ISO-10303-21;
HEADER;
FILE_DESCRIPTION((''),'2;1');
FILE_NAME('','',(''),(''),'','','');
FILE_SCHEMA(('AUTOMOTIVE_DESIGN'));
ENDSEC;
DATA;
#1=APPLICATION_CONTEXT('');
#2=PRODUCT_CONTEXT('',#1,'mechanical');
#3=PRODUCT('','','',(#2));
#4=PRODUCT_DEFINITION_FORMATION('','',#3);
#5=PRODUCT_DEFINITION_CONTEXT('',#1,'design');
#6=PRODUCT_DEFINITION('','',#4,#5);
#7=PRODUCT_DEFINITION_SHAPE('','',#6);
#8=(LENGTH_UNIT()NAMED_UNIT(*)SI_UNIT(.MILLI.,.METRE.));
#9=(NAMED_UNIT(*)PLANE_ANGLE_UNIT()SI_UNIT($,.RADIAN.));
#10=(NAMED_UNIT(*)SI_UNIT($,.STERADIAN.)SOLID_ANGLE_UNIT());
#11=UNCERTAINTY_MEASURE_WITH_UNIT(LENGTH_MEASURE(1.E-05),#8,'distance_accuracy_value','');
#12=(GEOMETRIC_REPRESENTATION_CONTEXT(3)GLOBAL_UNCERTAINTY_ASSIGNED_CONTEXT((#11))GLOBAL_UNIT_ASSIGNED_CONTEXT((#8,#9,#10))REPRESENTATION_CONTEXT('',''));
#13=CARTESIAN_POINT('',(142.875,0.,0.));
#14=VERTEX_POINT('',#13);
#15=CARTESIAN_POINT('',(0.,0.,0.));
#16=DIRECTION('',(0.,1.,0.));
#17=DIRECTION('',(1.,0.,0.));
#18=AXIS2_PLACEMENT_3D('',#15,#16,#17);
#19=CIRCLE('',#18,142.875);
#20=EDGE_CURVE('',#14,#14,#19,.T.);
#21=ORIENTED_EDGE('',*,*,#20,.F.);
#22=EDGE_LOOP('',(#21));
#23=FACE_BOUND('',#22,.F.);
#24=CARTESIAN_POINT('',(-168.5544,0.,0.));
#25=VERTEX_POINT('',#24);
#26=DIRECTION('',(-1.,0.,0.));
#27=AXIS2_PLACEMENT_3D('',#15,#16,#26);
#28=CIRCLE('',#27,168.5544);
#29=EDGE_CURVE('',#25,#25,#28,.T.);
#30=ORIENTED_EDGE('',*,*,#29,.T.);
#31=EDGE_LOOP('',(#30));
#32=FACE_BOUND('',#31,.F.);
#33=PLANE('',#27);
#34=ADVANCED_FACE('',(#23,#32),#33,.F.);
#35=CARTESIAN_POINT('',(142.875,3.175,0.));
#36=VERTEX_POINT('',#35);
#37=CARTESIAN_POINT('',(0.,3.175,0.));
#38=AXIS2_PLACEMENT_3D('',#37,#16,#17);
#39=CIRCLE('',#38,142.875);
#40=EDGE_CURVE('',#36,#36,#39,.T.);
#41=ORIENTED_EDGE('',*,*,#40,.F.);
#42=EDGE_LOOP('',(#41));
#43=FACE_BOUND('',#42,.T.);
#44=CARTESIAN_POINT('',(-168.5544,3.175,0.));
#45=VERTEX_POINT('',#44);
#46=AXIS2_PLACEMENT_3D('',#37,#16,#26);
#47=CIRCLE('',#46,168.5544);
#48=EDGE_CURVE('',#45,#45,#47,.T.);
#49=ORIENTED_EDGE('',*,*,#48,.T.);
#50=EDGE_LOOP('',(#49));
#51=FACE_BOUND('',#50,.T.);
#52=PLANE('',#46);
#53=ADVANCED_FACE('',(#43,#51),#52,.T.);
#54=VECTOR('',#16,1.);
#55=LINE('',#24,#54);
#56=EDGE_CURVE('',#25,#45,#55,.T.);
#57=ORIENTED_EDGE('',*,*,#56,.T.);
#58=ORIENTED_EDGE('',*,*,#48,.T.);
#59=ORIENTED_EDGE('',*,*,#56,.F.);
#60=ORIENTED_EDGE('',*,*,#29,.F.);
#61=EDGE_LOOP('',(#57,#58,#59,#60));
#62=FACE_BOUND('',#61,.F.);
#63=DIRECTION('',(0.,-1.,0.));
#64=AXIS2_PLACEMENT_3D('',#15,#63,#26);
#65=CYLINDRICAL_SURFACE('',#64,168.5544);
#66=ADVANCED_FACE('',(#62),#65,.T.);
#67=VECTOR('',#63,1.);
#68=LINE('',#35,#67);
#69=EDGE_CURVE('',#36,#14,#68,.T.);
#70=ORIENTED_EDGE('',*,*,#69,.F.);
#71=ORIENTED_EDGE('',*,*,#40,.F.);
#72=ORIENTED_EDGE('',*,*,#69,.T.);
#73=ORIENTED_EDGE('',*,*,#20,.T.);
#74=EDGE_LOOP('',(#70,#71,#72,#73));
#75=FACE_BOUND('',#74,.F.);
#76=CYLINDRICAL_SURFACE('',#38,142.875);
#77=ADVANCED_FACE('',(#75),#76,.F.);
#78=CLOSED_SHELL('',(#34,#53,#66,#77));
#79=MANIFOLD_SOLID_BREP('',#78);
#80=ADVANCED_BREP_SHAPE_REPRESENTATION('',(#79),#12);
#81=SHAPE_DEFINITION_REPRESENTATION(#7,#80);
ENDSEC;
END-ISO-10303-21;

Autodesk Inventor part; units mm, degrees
ref_plane "YZ Plane" through (0, 0, 0) normal (1, 0, 0) x (0, 1, 0)
ref_plane "XZ Plane" through (0, 0, 0) normal (0, 1, 0) x (-1, 0, 0)
ref_plane "XY Plane" through (0, 0, 0) normal (0, 0, 1) x (1, 0, 0)
sketch "Sketch1" plane through (0, 0, 0) normal (0, 1, 0) x (-1, 0, 0)
  circle A0 centre (0, 0) radius 168.5544
  dimension "d0" = 337.1088
extrude "Extrusion1" add sketch "Sketch1" along normal blind 3.175
sketch "Sketch2" plane through (0, 3.175, 0) normal (0, 1, 0) x (1, 0, 0)
  circle A0 centre (0, 0) radius 142.875
  dimension "d3" = 285.75
extrude "Extrusion2" cut sketch "Sketch2" against normal through all
properties part number "Bevel_BasePlate"
